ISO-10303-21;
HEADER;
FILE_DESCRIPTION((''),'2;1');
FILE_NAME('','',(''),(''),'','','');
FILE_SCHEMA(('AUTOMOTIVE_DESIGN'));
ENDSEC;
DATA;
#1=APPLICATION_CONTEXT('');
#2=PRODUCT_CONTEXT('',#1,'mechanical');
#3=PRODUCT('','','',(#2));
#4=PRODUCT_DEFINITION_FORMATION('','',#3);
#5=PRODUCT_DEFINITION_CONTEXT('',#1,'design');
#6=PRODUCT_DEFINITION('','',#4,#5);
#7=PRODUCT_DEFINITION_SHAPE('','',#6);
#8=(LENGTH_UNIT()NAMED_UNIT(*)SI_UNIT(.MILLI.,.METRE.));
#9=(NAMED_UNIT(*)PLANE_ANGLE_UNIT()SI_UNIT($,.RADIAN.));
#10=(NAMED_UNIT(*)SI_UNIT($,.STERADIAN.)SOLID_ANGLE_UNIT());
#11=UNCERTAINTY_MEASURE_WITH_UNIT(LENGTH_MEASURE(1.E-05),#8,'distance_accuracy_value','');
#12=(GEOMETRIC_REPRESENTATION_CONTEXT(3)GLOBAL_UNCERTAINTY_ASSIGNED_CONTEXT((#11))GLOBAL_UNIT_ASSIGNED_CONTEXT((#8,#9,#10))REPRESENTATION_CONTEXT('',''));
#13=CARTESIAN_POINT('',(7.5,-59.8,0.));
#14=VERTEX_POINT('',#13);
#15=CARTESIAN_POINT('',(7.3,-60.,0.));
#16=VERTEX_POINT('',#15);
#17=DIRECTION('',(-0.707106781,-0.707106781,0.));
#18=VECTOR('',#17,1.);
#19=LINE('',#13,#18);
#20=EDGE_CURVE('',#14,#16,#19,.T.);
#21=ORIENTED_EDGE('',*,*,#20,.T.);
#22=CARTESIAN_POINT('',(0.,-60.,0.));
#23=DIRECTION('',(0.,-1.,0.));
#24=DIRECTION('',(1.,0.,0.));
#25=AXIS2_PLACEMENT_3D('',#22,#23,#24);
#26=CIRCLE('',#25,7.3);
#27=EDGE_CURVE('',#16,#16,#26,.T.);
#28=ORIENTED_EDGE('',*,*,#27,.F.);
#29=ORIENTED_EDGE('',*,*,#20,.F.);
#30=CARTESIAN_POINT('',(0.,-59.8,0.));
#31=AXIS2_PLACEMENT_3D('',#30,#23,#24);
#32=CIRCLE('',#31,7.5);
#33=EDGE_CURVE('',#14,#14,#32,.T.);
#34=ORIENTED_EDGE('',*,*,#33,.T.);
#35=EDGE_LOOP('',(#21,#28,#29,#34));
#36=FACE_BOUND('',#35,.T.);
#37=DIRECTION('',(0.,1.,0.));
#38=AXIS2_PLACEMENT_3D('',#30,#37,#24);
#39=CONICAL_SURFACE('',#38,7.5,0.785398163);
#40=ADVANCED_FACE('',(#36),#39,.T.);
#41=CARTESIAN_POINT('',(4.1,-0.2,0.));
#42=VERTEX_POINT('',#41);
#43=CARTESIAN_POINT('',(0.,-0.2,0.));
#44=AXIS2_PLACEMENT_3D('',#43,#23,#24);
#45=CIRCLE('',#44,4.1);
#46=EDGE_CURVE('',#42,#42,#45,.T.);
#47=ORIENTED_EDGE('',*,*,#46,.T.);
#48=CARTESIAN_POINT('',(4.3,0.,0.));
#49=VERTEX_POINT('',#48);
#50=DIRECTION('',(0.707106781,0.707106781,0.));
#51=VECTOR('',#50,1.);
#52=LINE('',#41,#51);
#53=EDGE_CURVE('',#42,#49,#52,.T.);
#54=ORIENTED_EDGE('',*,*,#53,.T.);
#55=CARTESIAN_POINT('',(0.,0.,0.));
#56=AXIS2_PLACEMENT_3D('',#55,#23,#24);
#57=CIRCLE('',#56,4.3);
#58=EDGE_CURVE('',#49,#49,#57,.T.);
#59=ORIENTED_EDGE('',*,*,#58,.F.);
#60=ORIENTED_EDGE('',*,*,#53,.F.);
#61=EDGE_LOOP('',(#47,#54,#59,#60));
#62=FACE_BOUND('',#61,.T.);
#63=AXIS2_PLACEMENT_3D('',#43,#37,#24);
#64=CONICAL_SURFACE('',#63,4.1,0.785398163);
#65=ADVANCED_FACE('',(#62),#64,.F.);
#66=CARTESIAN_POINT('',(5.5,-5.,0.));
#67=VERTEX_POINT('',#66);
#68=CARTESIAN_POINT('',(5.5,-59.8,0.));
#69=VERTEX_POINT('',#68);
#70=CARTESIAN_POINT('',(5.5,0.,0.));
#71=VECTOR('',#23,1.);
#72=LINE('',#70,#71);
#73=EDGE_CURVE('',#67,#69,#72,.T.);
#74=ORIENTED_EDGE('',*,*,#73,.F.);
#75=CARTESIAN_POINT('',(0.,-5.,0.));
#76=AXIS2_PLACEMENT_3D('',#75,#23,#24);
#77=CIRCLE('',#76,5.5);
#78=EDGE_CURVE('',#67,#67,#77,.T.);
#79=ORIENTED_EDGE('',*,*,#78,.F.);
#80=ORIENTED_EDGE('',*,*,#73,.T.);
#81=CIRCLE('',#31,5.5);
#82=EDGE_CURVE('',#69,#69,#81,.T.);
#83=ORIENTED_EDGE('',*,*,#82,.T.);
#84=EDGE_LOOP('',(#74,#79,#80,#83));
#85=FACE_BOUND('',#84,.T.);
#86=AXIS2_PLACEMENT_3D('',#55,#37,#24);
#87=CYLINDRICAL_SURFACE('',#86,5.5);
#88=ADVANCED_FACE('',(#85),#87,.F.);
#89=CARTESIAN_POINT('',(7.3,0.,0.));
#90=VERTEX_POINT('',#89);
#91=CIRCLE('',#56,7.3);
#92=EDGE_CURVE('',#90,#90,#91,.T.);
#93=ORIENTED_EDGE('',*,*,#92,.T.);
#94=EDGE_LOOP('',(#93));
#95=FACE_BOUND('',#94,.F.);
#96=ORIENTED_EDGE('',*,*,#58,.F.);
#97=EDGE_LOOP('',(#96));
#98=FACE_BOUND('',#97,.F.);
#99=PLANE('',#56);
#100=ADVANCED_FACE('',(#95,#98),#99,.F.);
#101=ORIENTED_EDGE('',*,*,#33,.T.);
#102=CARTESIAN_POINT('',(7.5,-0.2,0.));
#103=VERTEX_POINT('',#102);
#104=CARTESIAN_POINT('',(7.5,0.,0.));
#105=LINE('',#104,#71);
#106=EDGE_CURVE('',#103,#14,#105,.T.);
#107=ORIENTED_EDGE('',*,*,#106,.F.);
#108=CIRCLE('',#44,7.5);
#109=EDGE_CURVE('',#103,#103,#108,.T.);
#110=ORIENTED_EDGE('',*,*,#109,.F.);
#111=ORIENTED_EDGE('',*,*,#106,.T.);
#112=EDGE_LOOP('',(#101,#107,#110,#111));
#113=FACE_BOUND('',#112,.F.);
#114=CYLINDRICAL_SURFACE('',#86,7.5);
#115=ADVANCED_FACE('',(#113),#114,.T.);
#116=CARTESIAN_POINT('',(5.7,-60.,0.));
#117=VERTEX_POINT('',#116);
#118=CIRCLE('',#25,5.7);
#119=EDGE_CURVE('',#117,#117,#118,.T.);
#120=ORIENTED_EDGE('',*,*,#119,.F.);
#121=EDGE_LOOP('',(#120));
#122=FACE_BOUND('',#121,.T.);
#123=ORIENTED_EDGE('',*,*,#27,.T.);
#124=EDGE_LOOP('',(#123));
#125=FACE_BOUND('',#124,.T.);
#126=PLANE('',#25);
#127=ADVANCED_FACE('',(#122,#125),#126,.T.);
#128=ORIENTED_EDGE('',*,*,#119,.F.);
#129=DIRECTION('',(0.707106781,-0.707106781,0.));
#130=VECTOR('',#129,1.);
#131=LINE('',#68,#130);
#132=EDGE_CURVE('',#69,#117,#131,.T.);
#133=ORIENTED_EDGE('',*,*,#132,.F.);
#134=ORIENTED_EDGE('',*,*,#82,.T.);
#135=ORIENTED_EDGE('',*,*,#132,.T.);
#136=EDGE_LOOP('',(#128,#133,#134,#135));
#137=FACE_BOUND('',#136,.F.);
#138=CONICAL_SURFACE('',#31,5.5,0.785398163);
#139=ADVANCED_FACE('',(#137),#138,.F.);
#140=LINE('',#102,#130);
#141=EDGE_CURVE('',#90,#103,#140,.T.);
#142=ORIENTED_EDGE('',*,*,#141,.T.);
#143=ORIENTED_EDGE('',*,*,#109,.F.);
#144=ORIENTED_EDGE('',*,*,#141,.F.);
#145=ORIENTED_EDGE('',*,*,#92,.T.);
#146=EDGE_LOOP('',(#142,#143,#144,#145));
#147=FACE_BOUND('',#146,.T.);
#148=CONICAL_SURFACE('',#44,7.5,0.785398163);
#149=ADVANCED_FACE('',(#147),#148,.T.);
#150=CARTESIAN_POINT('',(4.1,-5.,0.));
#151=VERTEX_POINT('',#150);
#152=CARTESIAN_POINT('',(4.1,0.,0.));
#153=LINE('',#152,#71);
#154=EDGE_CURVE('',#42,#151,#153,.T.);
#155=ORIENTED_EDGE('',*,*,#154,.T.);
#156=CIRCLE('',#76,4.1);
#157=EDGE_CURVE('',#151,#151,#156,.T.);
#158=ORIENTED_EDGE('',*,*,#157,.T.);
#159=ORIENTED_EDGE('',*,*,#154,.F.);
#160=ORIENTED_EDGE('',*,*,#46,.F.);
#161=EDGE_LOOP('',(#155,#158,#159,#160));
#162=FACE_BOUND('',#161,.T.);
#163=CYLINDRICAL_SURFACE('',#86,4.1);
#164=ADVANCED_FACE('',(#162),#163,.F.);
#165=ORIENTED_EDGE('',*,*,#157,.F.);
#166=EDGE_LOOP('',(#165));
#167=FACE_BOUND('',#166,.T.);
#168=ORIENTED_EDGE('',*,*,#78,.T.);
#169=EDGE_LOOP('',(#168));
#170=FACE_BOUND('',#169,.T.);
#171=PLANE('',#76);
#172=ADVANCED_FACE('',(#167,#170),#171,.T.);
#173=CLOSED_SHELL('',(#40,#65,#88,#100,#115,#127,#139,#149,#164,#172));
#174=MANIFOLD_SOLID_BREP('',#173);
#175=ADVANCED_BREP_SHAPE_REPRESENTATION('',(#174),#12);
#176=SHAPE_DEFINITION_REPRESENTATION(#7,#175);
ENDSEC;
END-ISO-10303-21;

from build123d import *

# Parameters (mm, degrees)
F0_R     = 7.5
F0_R_2   = 5.5
F1_DEPTH = 60
F0_R_3   = 4.1
F2_DEPTH = 5
F3_SIZE  = 0.2


with BuildPart() as f1:
    # F0 (on Front) → F1 (new body)
    with BuildSketch(Plane.XZ):
        Circle(F0_R)
        Circle(F0_R_2, mode=Mode.SUBTRACT)
    extrude(amount=F1_DEPTH)

    # F0 (on Front) → F2 (join)
    with BuildSketch(Plane.XZ):
        Circle(F0_R_2)
        Circle(F0_R_3, mode=Mode.SUBTRACT)
    extrude(amount=F2_DEPTH)

    # F3
    f3_edges = [f1.edges().sort_by_distance(p)[0] for p in [
        (-7.5, 0, 0),
        (-4.1, 0, 0),
        (-7.5, -60, 0),
        (-5.5, -60, 0),
    ]]
    chamfer(f3_edges, length=F3_SIZE)


solid = f1.part
